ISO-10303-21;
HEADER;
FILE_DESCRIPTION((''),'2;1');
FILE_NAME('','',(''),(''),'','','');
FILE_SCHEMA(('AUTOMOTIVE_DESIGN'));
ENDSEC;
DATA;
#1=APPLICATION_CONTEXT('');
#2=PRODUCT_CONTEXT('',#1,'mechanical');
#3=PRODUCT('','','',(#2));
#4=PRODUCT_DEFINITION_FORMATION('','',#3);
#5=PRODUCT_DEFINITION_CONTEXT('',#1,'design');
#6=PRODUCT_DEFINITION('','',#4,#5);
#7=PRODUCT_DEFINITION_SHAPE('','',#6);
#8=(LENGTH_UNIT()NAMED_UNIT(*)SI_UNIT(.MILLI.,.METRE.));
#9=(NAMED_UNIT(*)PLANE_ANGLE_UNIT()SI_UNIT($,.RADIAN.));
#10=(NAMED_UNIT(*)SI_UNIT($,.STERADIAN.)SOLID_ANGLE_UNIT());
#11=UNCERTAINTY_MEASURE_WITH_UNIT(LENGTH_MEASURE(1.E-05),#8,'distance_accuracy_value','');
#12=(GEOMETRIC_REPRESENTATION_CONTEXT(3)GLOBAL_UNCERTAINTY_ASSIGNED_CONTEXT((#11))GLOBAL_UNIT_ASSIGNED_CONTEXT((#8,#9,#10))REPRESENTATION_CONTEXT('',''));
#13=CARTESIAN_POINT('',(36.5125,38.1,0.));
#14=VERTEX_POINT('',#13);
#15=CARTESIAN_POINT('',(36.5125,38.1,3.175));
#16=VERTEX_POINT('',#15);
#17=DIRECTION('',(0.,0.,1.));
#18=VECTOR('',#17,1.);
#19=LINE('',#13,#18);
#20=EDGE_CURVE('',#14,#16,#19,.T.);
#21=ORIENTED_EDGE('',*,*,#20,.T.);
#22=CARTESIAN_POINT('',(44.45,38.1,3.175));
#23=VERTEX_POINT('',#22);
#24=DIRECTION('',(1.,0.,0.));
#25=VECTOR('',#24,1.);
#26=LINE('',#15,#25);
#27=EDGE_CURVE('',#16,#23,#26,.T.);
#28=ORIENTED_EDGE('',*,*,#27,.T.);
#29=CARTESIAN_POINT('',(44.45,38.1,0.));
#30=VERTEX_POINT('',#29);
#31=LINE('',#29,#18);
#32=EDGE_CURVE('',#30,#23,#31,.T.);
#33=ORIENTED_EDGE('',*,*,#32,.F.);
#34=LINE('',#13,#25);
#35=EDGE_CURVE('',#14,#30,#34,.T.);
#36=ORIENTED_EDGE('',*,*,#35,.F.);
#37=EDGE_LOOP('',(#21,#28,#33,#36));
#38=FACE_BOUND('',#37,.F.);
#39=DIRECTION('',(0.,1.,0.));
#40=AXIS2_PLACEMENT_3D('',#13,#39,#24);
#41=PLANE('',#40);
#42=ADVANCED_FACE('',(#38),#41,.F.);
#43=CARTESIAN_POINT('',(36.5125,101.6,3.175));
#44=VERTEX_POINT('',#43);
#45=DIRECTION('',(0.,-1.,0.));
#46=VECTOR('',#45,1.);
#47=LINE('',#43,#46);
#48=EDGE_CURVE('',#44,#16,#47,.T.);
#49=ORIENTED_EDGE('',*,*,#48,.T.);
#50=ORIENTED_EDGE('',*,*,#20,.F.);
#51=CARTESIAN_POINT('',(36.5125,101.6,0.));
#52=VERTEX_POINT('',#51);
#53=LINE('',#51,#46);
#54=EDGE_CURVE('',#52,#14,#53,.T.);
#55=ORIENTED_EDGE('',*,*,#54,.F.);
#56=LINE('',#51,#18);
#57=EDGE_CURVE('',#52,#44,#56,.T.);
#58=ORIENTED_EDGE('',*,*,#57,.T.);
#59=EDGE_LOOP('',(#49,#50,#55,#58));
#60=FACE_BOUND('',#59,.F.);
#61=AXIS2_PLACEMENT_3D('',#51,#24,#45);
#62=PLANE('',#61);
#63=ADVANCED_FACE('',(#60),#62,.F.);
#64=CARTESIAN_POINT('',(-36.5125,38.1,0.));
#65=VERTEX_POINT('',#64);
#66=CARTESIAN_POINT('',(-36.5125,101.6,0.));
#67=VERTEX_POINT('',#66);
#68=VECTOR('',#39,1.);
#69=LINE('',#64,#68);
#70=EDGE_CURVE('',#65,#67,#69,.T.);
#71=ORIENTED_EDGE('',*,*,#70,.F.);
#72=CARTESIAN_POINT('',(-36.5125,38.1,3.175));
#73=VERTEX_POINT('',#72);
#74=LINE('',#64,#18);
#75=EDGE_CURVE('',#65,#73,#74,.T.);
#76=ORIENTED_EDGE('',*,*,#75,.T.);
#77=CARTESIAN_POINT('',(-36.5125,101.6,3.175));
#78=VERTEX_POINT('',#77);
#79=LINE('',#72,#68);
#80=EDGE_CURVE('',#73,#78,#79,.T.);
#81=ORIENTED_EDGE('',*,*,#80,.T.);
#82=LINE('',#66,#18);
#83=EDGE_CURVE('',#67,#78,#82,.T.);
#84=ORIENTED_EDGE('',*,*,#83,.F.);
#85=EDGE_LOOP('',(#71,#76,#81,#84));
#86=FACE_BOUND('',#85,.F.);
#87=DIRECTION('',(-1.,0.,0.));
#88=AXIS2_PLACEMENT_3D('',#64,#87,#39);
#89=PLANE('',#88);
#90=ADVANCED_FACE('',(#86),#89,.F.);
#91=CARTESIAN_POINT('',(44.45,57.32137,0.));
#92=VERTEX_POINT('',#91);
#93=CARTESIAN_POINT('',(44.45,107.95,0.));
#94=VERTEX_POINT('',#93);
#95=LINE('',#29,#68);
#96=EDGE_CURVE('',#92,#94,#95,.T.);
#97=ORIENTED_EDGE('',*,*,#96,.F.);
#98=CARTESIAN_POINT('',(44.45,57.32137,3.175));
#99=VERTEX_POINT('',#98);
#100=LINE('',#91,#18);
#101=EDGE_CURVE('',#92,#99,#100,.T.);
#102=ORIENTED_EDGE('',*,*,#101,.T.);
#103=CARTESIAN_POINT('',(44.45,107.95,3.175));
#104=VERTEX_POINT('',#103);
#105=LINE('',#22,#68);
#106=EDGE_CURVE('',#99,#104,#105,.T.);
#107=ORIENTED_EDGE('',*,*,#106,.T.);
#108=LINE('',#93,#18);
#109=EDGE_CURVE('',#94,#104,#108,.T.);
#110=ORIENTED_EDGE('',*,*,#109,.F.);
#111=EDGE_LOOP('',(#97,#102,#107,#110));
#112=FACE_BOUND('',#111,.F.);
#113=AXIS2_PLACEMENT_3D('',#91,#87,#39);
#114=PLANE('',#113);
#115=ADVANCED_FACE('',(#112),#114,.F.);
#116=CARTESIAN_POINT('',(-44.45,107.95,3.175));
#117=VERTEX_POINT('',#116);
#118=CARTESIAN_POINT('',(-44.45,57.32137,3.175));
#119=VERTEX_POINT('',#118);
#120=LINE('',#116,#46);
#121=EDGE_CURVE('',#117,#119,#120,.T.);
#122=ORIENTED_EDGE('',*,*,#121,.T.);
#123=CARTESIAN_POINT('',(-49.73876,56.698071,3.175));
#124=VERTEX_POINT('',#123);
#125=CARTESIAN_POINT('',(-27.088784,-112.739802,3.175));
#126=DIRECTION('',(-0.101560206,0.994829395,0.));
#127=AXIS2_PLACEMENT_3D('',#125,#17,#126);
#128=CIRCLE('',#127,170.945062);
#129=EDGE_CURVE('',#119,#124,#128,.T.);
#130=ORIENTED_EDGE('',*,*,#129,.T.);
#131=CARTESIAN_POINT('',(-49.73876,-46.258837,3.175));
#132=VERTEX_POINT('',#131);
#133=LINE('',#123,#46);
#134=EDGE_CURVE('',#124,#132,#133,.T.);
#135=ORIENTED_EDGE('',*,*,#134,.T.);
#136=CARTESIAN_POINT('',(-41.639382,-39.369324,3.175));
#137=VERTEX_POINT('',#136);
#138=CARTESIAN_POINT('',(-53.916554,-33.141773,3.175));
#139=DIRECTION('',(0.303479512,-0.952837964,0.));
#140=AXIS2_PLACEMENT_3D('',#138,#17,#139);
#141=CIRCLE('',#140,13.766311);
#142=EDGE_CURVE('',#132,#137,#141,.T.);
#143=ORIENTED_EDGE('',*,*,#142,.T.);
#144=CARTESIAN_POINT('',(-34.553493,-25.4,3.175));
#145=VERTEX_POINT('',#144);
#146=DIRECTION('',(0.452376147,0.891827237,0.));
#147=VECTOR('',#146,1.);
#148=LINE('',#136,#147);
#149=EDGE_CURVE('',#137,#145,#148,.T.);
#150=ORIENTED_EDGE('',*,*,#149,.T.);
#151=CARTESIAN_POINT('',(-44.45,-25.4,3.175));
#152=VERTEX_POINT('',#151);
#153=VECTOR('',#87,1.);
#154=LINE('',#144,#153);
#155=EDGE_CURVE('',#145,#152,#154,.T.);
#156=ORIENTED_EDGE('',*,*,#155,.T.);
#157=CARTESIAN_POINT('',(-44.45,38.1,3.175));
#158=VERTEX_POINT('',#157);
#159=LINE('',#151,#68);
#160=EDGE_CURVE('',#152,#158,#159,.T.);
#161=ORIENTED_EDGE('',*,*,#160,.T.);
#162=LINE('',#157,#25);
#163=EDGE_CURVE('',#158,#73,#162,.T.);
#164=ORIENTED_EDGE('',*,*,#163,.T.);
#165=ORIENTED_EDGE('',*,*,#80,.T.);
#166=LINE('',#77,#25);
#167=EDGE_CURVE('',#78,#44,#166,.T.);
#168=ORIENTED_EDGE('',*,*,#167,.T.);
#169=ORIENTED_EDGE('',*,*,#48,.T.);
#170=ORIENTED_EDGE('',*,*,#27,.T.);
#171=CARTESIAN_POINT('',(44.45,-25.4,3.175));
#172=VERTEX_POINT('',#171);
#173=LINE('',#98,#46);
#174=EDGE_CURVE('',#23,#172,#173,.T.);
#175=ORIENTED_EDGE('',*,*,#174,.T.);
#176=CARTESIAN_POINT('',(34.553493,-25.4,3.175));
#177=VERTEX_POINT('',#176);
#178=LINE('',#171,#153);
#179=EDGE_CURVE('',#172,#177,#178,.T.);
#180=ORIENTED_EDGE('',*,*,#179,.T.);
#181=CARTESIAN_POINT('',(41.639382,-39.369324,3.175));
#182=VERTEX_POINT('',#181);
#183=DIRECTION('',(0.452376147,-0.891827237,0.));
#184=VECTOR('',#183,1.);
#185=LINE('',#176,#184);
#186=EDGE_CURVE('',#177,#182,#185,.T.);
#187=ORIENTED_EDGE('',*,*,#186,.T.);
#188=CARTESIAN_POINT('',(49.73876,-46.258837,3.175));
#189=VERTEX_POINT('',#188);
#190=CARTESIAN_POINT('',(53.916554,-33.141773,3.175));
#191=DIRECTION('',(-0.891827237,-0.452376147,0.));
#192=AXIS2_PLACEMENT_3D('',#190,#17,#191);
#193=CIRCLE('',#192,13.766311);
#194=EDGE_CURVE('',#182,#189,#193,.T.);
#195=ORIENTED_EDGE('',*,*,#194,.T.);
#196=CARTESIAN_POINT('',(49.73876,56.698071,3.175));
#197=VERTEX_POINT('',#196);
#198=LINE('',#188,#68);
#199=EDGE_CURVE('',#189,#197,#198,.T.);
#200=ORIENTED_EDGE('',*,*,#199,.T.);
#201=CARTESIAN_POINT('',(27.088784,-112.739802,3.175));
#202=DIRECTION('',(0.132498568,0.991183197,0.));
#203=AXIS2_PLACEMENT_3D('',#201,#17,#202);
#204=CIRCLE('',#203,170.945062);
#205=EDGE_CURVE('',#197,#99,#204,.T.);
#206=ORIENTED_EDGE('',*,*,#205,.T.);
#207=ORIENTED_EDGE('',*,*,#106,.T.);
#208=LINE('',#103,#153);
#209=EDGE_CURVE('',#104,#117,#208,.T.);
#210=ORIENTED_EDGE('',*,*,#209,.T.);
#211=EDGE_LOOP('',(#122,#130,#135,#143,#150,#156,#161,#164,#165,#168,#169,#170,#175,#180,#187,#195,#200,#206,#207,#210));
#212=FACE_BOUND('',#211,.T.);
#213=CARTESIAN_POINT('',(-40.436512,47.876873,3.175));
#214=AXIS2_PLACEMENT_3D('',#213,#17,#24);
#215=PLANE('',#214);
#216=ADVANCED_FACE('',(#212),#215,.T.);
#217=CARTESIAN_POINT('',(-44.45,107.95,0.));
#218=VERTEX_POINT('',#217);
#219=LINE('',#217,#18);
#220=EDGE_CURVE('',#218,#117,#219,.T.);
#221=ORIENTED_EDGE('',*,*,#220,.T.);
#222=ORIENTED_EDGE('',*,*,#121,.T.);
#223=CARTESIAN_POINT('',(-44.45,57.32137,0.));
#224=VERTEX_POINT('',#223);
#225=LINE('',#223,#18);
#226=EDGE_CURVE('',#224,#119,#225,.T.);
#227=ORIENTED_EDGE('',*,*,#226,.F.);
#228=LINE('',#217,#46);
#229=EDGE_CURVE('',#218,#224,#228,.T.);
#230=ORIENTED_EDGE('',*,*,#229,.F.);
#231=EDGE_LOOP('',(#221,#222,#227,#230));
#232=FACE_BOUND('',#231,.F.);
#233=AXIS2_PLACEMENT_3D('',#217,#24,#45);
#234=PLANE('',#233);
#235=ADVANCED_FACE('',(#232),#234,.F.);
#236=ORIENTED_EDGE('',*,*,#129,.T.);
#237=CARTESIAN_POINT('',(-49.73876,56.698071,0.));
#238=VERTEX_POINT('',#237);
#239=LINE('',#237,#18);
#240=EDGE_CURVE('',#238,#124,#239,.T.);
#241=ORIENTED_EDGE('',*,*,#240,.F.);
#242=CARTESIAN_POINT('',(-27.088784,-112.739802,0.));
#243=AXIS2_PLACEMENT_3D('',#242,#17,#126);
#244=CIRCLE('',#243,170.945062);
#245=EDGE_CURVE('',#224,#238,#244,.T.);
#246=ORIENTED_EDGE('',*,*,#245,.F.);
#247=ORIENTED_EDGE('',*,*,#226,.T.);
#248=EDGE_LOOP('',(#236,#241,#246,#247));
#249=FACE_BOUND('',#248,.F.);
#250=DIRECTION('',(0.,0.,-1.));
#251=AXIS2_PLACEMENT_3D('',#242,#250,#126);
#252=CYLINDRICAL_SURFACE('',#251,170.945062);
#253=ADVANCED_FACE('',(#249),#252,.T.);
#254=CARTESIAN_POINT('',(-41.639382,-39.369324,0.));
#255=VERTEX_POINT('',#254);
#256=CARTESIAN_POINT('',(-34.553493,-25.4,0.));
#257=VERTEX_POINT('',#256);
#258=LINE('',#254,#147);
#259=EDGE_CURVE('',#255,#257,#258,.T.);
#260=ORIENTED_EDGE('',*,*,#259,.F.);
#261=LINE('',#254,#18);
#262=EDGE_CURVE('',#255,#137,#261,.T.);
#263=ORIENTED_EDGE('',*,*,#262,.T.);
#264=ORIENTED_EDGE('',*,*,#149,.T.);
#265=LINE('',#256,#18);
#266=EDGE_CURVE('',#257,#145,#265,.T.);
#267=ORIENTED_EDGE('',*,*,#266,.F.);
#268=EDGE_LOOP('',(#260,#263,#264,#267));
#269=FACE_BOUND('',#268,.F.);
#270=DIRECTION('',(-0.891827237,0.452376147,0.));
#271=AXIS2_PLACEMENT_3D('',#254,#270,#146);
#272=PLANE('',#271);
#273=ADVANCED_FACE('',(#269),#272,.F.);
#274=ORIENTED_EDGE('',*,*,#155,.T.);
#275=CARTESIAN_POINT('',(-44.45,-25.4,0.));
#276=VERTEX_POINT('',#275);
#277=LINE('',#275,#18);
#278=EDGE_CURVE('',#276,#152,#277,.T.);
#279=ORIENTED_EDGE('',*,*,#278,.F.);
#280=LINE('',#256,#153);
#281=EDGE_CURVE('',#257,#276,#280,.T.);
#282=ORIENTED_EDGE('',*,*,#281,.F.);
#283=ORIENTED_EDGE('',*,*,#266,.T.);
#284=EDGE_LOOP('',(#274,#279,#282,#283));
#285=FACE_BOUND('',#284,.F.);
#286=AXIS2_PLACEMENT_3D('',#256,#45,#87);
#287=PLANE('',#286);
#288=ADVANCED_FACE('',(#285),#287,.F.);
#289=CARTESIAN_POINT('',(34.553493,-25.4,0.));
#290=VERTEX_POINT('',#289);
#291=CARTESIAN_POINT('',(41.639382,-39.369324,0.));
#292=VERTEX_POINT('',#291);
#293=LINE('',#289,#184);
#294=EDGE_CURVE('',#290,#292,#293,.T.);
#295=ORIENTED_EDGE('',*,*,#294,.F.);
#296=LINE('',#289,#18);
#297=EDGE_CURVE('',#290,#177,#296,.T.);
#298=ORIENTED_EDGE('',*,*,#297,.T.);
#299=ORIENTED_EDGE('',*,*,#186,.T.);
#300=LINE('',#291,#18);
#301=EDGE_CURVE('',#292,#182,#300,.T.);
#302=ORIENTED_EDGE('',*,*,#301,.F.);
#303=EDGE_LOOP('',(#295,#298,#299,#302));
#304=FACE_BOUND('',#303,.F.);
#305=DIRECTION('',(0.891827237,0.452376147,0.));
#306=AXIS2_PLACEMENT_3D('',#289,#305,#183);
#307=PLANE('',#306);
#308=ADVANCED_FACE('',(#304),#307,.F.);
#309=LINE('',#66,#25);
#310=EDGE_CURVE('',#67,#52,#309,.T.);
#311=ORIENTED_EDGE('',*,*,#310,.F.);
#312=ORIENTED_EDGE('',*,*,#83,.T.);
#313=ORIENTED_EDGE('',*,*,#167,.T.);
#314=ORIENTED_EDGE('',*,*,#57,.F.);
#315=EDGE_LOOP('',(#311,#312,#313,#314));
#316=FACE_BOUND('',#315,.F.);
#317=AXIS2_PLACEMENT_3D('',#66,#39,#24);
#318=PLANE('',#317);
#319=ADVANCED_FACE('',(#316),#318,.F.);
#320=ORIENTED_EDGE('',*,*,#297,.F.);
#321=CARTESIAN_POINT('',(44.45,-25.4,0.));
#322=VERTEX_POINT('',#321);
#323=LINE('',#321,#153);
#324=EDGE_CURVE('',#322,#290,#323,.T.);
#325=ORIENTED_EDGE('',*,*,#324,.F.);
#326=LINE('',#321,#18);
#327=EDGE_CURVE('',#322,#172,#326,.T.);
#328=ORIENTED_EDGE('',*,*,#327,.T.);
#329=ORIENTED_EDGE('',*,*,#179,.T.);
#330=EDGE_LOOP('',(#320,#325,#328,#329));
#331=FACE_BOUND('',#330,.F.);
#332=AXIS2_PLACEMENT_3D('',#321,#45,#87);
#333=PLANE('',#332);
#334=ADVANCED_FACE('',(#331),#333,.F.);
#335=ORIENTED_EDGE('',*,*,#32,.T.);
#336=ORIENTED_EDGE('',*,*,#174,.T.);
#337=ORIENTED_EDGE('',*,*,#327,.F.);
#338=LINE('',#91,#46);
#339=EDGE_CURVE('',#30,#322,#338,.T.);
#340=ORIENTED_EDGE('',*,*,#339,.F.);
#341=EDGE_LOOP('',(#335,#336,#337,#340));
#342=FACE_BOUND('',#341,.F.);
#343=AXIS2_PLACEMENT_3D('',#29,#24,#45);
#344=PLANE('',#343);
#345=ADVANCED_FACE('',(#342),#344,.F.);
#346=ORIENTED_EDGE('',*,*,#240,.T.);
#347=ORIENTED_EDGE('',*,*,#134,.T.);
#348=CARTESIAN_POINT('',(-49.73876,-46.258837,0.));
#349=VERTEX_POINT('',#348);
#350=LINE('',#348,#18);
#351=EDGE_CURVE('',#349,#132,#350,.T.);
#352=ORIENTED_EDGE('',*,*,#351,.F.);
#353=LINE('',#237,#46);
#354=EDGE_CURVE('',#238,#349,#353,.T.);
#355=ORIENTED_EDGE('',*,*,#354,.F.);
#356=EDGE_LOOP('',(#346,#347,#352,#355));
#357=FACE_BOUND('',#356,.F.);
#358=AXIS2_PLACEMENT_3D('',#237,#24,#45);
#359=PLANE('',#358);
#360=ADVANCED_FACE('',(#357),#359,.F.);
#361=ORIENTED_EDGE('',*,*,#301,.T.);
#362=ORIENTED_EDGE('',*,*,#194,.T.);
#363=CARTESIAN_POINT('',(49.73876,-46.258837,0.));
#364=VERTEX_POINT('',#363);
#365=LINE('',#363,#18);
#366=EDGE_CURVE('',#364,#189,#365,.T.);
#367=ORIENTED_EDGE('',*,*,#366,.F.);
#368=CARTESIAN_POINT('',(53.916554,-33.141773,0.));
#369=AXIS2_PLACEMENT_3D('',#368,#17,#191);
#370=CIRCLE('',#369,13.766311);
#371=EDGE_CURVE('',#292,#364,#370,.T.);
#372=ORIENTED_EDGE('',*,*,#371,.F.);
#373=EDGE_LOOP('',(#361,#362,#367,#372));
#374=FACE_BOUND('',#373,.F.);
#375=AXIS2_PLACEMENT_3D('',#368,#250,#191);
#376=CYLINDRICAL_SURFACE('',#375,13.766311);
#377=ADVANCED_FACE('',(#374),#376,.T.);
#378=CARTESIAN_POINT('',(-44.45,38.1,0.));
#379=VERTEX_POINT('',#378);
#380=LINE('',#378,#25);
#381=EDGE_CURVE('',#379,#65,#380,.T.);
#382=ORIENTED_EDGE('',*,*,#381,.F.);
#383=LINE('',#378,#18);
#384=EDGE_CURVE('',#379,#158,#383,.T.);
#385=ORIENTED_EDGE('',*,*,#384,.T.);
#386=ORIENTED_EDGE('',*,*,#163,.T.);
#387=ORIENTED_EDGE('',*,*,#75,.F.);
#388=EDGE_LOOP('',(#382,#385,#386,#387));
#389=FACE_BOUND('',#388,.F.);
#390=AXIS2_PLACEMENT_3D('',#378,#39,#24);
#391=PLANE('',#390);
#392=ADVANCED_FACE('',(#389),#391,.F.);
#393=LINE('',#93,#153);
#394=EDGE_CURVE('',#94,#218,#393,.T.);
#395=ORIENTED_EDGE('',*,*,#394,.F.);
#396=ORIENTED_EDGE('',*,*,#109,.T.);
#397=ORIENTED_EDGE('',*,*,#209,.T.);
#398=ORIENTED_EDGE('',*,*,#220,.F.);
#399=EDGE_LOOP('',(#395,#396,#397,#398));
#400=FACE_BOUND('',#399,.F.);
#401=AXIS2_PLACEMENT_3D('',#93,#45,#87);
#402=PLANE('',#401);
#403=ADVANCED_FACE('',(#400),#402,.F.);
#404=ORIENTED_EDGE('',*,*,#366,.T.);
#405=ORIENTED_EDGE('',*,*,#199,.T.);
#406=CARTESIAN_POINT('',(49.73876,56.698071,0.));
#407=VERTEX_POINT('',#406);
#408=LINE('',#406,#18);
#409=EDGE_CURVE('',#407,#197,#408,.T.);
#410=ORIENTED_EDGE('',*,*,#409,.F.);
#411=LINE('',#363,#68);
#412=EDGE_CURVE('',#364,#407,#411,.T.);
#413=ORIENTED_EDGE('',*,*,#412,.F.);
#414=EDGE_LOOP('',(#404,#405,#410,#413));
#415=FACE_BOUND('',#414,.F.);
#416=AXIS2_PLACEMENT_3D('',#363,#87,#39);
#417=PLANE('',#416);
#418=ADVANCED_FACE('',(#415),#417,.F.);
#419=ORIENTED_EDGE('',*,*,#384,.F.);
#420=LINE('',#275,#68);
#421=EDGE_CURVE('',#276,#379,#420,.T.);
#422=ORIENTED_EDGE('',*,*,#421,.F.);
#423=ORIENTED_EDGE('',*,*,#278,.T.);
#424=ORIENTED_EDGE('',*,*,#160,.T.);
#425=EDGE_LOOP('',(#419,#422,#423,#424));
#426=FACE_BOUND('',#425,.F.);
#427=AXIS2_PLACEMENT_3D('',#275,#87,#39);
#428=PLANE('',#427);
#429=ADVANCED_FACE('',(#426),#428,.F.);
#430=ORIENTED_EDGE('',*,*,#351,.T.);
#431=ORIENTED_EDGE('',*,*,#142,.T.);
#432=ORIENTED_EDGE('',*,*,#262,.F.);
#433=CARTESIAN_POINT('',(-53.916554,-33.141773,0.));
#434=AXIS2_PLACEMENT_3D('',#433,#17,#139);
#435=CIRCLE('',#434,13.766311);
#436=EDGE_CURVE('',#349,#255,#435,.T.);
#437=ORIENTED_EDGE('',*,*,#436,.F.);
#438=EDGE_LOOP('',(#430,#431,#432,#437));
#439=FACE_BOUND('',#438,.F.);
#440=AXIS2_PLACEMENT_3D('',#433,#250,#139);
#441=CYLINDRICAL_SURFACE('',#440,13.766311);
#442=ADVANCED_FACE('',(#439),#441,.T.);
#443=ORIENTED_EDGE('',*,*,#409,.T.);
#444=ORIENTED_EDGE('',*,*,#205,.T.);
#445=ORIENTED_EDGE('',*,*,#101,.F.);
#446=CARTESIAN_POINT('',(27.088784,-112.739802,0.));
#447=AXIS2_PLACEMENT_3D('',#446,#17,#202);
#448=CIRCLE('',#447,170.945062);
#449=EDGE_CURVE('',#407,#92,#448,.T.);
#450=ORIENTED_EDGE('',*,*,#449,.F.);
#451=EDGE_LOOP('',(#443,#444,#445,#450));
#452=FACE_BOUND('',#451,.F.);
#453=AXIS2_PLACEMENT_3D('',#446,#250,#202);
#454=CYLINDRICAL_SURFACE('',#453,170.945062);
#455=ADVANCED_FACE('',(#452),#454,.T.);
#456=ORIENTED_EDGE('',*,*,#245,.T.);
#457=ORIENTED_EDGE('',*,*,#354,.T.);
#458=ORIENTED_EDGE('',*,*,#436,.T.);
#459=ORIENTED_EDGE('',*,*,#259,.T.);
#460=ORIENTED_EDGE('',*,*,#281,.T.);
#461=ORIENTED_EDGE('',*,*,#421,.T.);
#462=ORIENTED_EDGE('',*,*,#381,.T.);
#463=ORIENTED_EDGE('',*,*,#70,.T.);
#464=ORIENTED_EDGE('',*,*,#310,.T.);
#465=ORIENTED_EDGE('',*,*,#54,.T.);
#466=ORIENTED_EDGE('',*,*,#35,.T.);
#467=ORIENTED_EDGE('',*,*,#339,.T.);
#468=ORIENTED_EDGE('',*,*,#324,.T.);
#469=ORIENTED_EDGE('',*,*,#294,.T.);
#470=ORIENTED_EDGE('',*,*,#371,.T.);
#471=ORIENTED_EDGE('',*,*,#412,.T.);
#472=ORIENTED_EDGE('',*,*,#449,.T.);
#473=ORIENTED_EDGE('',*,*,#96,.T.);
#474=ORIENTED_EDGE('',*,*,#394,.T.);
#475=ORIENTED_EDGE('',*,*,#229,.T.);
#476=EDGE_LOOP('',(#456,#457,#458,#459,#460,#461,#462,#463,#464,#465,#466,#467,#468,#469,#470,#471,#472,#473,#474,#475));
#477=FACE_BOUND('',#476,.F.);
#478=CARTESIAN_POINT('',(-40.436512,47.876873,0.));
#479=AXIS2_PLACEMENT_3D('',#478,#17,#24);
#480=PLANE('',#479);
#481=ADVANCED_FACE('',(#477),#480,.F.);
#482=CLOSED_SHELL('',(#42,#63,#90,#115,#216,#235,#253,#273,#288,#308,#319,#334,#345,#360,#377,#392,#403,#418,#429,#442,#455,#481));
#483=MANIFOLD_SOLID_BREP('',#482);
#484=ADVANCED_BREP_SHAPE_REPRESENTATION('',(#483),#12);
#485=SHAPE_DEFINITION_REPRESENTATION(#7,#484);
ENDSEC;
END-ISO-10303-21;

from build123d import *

# Parameters (mm, degrees)
F1_DEPTH = 3.175


with BuildPart() as f1:
    # F0 (on Top) → F1 (new body)
    with BuildSketch(Plane.XY):
        with BuildLine():
            Line((-36.5125, 38.1), (-36.5125, 57.945310822))
            ThreePointArc((-36.5125, 57.945310822), (-40.4848830959, 57.6795592635), (-44.45, 57.3213703633))
            Line((-44.45, 57.3213703633), (-44.45, 38.1))
            Line((-44.45, 38.1), (-36.5125, 38.1))
        make_face()
        with BuildLine():
            ThreePointArc((-44.45, 57.3213703633), (-40.4848830959, 57.6795592635), (-36.5125, 57.945310822))
            Line((-36.5125, 57.945310822), (-36.5125, 101.6))
            Line((-36.5125, 101.6), (36.5125, 101.6))
            Line((36.5125, 101.6), (36.5125, 57.945310822))
            ThreePointArc((36.5125, 57.945310822), (40.4848830959, 57.6795592635), (44.45, 57.3213703633))
            Line((44.45, 57.3213703633), (44.45, 107.95))
            Line((44.45, 107.95), (-44.45, 107.95))
            Line((-44.45, 107.95), (-44.45, 57.3213703633))
        make_face()
        with BuildLine():
            ThreePointArc((44.45, 57.3213703633), (40.4848830959, 57.6795592635), (36.5125, 57.945310822))
            Line((36.5125, 57.945310822), (36.5125, 38.1))
            Line((36.5125, 38.1), (44.45, 38.1))
            Line((44.45, 38.1), (44.45, 57.3213703633))
        make_face()
        with BuildLine():
            Line((-44.45, 38.1), (-44.45, 57.3213703633))
            ThreePointArc((-44.45, 57.3213703633), (-47.0968073958, 57.030316595), (-49.7387601656, 56.6980708297))
            Line((-49.7387601656, 56.6980708297), (-49.7387601656, -46.2588373944))
            ThreePointArc((-49.7387601656, -46.2588373944), (-44.9970348608, -43.6276453916), (-41.6393822328, -39.3693242376))
            Line((-41.6393822328, -39.3693242376), (-34.5534929288, -25.4))
            Line((-34.5534929288, -25.4), (-44.45, -25.4))
            Line((-44.45, -25.4), (-44.45, 38.1))
        make_face()
        with BuildLine():
            ThreePointArc((49.7387601656, 56.6980708297), (47.0968073958, 57.030316595), (44.45, 57.3213703633))
            Line((44.45, 57.3213703633), (44.45, 38.1))
            Line((44.45, 38.1), (44.45, -25.4))
            Line((44.45, -25.4), (34.5534929288, -25.4))
            Line((34.5534929288, -25.4), (41.6393822328, -39.3693242376))
            ThreePointArc((41.6393822328, -39.3693242376), (44.9970348608, -43.6276453916), (49.7387601656, -46.2588373944))
            Line((49.7387601656, -46.2588373944), (49.7387601656, 56.6980708297))
        make_face()
    extrude(amount=F1_DEPTH)


solid = f1.part
